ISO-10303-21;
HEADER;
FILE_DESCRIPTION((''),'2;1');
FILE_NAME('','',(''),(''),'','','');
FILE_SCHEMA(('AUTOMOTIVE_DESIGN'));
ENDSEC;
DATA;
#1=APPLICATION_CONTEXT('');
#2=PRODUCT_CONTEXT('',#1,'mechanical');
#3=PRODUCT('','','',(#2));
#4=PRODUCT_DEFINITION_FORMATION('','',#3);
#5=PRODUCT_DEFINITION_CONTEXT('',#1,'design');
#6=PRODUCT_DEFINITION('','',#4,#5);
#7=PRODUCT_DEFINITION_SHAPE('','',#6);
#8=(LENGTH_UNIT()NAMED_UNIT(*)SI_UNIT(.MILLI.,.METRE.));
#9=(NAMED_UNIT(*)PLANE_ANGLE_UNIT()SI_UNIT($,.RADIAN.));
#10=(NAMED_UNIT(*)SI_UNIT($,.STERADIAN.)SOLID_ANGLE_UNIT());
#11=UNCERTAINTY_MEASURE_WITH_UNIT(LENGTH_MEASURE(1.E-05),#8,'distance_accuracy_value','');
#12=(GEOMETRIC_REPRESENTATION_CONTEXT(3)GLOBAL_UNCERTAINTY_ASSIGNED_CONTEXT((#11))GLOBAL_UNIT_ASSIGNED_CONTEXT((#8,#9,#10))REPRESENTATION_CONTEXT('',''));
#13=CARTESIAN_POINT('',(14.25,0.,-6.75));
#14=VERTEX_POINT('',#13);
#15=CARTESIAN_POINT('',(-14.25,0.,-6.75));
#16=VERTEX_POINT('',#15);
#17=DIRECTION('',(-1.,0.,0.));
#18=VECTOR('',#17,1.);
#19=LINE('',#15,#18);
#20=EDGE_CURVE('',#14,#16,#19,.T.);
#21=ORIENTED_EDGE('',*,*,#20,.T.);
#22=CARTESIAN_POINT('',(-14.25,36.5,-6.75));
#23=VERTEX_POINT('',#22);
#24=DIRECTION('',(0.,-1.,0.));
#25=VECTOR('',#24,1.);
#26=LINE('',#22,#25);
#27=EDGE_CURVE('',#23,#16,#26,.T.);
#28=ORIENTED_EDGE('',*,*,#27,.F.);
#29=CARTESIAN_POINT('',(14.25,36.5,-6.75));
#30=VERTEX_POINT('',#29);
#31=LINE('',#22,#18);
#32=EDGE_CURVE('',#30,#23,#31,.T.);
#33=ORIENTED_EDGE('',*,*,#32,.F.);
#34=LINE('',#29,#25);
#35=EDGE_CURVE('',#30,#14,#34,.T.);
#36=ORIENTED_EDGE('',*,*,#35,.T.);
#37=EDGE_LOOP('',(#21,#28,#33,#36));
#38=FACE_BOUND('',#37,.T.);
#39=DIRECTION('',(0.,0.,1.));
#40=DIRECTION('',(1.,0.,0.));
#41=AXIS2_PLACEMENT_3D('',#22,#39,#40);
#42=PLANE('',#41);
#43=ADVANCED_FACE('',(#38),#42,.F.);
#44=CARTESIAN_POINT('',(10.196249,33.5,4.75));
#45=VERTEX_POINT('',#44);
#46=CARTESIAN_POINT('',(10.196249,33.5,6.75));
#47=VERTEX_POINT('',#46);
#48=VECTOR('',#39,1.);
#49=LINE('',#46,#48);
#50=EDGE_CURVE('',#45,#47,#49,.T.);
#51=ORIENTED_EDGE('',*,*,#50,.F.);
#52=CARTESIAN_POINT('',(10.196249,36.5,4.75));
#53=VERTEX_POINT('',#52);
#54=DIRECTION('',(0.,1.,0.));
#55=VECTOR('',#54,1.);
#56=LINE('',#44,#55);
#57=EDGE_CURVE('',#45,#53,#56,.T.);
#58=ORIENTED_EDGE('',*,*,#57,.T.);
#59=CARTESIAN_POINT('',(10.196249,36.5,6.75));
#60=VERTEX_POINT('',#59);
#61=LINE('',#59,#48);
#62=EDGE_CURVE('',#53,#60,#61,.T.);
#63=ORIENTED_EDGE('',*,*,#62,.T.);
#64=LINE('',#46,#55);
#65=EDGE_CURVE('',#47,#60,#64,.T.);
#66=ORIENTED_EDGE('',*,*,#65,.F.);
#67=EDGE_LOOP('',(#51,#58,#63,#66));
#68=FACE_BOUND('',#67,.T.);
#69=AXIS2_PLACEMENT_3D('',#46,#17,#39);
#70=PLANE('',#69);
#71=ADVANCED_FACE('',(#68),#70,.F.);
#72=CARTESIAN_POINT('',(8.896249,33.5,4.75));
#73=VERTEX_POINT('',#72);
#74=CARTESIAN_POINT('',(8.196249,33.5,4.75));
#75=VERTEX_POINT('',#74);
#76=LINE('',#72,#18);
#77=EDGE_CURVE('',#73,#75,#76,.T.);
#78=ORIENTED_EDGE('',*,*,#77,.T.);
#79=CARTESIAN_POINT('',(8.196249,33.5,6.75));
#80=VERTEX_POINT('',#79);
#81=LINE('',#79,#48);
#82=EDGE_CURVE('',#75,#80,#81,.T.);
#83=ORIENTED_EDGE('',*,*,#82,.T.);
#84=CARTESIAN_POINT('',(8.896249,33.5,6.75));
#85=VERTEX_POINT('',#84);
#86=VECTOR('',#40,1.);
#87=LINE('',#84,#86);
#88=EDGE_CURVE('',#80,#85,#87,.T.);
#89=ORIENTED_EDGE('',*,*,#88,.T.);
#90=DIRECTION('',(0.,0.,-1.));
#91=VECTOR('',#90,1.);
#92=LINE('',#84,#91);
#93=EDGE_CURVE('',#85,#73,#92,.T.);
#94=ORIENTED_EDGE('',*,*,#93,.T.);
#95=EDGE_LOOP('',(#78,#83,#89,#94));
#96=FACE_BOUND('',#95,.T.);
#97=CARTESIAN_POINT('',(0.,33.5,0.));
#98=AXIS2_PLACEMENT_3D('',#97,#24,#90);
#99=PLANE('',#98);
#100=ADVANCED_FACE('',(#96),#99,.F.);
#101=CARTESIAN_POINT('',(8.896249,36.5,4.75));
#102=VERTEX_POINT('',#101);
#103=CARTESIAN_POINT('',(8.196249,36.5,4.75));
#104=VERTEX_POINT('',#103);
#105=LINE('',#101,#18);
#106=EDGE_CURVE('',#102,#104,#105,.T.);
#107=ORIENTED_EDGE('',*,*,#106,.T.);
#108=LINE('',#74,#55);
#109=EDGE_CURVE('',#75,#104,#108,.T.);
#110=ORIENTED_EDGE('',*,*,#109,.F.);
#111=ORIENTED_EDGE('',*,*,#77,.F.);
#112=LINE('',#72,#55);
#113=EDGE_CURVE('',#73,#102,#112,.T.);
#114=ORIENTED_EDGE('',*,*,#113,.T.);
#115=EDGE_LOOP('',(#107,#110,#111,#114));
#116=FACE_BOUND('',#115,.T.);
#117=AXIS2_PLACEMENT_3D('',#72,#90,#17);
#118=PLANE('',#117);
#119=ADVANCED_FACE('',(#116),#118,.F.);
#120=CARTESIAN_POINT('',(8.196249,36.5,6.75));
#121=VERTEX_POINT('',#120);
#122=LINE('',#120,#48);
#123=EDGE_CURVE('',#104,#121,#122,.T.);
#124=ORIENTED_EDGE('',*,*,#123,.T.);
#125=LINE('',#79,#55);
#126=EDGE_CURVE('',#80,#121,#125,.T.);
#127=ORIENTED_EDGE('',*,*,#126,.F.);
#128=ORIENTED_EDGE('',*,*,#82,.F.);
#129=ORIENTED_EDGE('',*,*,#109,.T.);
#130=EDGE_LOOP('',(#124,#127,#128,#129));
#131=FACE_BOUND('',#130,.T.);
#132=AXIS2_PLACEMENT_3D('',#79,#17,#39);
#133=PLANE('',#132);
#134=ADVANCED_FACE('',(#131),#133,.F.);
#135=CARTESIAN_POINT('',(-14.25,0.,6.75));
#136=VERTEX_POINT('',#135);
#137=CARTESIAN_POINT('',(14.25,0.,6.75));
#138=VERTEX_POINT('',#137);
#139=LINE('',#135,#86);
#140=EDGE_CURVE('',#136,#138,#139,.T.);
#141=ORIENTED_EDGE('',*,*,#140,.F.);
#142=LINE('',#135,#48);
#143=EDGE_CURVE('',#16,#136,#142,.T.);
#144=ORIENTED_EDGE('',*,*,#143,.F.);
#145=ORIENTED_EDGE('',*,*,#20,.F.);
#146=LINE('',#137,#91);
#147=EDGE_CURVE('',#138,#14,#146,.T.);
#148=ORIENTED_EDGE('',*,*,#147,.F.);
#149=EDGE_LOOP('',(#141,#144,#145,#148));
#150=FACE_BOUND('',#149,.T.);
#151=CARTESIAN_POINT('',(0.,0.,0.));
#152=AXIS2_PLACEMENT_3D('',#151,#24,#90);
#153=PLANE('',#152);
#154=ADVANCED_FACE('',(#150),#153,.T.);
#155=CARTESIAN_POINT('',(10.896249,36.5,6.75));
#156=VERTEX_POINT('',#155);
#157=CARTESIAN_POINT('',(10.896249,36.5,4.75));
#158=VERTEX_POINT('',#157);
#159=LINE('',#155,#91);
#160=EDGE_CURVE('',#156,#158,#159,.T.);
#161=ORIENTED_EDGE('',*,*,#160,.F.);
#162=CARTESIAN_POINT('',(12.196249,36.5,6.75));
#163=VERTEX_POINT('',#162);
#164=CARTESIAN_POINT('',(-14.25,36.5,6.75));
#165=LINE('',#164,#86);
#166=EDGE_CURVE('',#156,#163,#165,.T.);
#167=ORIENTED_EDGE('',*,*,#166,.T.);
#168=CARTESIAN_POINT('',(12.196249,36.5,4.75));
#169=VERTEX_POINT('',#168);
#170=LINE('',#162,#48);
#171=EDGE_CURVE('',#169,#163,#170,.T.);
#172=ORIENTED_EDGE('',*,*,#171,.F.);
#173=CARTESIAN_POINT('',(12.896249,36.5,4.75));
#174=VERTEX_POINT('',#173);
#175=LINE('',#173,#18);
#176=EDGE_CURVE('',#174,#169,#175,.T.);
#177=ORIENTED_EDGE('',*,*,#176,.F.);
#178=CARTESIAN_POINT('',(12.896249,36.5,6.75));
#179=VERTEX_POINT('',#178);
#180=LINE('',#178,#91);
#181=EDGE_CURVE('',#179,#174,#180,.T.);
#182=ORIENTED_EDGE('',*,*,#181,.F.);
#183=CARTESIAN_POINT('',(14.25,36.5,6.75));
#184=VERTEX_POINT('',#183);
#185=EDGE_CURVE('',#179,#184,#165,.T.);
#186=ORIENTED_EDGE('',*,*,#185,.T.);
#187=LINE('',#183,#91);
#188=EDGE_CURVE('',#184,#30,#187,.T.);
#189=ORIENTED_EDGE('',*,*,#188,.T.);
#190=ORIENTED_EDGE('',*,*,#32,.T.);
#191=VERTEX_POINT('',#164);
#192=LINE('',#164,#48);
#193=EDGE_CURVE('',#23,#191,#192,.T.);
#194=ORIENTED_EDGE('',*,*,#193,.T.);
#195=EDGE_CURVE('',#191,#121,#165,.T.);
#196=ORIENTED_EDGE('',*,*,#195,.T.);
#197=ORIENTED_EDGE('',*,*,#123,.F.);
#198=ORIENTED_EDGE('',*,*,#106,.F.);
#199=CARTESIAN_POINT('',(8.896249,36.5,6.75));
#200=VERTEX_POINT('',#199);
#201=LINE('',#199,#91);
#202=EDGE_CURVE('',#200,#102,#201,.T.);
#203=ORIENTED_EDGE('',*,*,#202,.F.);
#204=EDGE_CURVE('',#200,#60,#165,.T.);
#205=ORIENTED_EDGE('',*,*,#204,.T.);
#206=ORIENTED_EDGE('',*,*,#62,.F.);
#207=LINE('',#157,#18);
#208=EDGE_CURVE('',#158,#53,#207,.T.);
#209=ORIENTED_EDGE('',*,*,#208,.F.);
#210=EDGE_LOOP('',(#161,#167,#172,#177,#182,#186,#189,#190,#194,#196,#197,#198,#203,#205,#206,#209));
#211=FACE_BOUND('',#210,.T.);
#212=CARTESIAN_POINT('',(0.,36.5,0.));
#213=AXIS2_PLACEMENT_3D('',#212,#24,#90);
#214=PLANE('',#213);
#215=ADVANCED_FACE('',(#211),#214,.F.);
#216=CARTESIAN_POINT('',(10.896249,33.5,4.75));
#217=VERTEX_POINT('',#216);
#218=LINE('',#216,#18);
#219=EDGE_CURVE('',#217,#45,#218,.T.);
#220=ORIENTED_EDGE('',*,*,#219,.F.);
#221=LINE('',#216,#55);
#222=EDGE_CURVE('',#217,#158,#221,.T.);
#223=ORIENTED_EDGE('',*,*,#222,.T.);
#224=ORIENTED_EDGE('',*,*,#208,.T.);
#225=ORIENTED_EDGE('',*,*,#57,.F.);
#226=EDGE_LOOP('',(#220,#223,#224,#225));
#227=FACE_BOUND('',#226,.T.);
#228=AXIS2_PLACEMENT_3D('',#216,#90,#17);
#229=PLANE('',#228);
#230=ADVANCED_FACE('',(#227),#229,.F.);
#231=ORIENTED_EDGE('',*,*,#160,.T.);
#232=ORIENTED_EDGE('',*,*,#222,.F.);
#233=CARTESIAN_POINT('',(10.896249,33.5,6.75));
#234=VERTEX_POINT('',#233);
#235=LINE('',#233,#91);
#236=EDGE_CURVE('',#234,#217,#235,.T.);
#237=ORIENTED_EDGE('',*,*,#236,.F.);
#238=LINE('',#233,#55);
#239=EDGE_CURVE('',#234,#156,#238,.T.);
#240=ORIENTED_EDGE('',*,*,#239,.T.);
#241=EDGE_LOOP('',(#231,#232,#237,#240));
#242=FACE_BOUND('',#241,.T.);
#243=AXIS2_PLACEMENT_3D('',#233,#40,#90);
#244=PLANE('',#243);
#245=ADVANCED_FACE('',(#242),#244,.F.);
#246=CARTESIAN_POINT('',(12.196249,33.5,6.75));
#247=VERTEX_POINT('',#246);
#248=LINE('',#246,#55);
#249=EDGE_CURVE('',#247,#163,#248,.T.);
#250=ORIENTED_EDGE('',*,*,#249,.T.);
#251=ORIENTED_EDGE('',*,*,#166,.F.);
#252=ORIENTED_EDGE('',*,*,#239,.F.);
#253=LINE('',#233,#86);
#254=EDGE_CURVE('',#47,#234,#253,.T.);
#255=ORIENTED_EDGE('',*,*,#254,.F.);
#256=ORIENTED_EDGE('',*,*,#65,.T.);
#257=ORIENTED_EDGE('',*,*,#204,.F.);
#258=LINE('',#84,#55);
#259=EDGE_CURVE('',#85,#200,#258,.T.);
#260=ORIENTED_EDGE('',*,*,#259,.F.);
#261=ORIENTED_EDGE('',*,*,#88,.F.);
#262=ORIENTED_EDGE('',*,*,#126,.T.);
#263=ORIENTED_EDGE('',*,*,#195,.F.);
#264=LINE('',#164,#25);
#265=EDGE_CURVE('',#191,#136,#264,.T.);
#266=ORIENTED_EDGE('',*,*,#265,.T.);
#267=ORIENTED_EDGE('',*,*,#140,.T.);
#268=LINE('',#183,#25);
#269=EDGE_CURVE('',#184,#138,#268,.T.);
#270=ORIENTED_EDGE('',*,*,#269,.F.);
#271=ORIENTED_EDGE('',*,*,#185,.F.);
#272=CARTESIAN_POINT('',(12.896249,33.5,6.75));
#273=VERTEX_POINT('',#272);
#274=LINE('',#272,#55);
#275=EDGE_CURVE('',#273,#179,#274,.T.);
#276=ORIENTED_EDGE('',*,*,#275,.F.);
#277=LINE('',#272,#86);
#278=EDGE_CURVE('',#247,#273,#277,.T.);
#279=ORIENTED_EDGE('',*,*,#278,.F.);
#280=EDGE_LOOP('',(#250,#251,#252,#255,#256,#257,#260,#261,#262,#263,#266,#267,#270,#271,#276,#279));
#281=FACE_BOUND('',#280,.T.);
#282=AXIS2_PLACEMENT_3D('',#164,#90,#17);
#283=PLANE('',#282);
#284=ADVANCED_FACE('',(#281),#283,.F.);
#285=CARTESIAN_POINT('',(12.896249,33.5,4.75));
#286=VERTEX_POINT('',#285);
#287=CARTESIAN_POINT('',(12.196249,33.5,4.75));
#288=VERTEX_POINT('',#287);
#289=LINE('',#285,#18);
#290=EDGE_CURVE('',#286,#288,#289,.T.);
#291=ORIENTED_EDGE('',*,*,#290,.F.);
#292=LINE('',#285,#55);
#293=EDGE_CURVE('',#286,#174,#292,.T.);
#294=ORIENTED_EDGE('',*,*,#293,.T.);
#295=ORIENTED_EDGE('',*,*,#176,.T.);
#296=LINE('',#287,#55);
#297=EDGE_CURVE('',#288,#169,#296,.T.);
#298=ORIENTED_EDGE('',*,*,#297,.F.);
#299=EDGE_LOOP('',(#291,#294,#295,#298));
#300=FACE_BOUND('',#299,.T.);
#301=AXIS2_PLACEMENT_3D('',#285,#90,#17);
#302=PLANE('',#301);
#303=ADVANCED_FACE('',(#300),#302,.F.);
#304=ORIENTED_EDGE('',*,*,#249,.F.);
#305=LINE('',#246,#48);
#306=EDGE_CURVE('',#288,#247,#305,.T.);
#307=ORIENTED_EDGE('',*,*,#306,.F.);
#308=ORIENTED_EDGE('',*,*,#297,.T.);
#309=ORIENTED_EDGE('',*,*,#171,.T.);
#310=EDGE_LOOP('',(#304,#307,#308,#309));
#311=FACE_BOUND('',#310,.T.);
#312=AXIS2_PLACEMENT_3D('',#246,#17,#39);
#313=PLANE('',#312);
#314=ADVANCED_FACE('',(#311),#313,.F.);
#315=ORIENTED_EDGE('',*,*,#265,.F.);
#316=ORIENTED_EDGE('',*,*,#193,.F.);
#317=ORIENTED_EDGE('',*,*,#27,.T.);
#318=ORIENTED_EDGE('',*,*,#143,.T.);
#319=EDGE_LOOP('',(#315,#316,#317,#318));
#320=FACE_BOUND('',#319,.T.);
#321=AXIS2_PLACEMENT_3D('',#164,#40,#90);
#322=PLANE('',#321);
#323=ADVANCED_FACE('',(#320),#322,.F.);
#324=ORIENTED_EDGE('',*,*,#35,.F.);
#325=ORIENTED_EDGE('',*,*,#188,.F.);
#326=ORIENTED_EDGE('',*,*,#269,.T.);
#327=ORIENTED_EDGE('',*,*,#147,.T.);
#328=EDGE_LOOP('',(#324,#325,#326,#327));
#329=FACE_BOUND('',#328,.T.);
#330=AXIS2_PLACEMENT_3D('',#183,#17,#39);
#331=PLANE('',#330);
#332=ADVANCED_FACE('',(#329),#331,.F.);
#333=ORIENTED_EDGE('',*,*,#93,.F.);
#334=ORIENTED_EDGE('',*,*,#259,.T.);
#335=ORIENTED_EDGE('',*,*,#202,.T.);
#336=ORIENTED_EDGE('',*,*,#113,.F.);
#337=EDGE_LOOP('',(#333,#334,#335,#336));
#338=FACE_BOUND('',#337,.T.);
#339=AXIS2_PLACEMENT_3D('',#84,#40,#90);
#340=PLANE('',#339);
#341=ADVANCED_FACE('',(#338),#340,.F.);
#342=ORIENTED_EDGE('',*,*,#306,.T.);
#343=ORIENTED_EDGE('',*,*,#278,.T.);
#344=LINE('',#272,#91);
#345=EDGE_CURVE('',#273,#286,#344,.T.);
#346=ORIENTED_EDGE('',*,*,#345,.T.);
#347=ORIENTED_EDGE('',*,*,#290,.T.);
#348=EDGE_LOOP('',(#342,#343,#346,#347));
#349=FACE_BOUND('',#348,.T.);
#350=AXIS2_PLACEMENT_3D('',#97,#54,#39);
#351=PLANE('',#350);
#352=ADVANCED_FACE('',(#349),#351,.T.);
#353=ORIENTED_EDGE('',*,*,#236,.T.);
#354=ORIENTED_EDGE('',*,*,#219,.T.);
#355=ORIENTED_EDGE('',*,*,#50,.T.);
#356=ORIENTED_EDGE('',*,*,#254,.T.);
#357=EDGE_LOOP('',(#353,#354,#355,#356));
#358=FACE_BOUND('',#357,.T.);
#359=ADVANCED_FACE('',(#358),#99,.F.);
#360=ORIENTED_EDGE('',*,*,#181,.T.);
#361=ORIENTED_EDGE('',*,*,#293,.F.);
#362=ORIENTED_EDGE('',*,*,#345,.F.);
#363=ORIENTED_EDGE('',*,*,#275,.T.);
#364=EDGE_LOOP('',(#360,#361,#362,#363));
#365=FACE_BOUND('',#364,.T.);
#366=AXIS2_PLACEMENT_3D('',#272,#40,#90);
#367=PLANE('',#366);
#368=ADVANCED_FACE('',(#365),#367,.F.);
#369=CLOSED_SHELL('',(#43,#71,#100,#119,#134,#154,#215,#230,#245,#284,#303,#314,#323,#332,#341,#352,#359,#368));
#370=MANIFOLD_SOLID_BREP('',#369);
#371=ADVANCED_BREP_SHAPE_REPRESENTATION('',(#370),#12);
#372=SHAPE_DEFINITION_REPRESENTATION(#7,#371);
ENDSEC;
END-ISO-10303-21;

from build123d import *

# Parameters (mm, degrees)
SKETCH1_W           = 28.5
SKETCH1_H           = 13.5
BOSS_EXTRUDE1_DEPTH = 36.5
SKETCH2_W           = 0.7
SKETCH2_H           = 2
CUT_EXTRUDE1_DEPTH  = 3


with BuildPart() as part:
    # Sketch1 → Boss-Extrude1 (new body)
    with BuildSketch(Plane(origin=(0, 0, 0), x_dir=(1, 0, 0), z_dir=(0, 1, 0))):
        Rectangle(SKETCH1_W, SKETCH1_H)
    extrude(amount=BOSS_EXTRUDE1_DEPTH)

    # Sketch2 → Cut-Extrude1 (cut)
    with BuildSketch(Plane(origin=(0, 36.5, 0), x_dir=(1, 0, 0), z_dir=(0, 1, 0))):
        with Locations((12.546248595, -5.75)):
            Rectangle(SKETCH2_W, SKETCH2_H)
        with Locations((10.546248595, -5.75)):
            Rectangle(SKETCH2_W, SKETCH2_H)
        with Locations((8.546248595, -5.75)):
            Rectangle(SKETCH2_W, SKETCH2_H)
    extrude(amount=-CUT_EXTRUDE1_DEPTH, mode=Mode.SUBTRACT)


solid = part.part
